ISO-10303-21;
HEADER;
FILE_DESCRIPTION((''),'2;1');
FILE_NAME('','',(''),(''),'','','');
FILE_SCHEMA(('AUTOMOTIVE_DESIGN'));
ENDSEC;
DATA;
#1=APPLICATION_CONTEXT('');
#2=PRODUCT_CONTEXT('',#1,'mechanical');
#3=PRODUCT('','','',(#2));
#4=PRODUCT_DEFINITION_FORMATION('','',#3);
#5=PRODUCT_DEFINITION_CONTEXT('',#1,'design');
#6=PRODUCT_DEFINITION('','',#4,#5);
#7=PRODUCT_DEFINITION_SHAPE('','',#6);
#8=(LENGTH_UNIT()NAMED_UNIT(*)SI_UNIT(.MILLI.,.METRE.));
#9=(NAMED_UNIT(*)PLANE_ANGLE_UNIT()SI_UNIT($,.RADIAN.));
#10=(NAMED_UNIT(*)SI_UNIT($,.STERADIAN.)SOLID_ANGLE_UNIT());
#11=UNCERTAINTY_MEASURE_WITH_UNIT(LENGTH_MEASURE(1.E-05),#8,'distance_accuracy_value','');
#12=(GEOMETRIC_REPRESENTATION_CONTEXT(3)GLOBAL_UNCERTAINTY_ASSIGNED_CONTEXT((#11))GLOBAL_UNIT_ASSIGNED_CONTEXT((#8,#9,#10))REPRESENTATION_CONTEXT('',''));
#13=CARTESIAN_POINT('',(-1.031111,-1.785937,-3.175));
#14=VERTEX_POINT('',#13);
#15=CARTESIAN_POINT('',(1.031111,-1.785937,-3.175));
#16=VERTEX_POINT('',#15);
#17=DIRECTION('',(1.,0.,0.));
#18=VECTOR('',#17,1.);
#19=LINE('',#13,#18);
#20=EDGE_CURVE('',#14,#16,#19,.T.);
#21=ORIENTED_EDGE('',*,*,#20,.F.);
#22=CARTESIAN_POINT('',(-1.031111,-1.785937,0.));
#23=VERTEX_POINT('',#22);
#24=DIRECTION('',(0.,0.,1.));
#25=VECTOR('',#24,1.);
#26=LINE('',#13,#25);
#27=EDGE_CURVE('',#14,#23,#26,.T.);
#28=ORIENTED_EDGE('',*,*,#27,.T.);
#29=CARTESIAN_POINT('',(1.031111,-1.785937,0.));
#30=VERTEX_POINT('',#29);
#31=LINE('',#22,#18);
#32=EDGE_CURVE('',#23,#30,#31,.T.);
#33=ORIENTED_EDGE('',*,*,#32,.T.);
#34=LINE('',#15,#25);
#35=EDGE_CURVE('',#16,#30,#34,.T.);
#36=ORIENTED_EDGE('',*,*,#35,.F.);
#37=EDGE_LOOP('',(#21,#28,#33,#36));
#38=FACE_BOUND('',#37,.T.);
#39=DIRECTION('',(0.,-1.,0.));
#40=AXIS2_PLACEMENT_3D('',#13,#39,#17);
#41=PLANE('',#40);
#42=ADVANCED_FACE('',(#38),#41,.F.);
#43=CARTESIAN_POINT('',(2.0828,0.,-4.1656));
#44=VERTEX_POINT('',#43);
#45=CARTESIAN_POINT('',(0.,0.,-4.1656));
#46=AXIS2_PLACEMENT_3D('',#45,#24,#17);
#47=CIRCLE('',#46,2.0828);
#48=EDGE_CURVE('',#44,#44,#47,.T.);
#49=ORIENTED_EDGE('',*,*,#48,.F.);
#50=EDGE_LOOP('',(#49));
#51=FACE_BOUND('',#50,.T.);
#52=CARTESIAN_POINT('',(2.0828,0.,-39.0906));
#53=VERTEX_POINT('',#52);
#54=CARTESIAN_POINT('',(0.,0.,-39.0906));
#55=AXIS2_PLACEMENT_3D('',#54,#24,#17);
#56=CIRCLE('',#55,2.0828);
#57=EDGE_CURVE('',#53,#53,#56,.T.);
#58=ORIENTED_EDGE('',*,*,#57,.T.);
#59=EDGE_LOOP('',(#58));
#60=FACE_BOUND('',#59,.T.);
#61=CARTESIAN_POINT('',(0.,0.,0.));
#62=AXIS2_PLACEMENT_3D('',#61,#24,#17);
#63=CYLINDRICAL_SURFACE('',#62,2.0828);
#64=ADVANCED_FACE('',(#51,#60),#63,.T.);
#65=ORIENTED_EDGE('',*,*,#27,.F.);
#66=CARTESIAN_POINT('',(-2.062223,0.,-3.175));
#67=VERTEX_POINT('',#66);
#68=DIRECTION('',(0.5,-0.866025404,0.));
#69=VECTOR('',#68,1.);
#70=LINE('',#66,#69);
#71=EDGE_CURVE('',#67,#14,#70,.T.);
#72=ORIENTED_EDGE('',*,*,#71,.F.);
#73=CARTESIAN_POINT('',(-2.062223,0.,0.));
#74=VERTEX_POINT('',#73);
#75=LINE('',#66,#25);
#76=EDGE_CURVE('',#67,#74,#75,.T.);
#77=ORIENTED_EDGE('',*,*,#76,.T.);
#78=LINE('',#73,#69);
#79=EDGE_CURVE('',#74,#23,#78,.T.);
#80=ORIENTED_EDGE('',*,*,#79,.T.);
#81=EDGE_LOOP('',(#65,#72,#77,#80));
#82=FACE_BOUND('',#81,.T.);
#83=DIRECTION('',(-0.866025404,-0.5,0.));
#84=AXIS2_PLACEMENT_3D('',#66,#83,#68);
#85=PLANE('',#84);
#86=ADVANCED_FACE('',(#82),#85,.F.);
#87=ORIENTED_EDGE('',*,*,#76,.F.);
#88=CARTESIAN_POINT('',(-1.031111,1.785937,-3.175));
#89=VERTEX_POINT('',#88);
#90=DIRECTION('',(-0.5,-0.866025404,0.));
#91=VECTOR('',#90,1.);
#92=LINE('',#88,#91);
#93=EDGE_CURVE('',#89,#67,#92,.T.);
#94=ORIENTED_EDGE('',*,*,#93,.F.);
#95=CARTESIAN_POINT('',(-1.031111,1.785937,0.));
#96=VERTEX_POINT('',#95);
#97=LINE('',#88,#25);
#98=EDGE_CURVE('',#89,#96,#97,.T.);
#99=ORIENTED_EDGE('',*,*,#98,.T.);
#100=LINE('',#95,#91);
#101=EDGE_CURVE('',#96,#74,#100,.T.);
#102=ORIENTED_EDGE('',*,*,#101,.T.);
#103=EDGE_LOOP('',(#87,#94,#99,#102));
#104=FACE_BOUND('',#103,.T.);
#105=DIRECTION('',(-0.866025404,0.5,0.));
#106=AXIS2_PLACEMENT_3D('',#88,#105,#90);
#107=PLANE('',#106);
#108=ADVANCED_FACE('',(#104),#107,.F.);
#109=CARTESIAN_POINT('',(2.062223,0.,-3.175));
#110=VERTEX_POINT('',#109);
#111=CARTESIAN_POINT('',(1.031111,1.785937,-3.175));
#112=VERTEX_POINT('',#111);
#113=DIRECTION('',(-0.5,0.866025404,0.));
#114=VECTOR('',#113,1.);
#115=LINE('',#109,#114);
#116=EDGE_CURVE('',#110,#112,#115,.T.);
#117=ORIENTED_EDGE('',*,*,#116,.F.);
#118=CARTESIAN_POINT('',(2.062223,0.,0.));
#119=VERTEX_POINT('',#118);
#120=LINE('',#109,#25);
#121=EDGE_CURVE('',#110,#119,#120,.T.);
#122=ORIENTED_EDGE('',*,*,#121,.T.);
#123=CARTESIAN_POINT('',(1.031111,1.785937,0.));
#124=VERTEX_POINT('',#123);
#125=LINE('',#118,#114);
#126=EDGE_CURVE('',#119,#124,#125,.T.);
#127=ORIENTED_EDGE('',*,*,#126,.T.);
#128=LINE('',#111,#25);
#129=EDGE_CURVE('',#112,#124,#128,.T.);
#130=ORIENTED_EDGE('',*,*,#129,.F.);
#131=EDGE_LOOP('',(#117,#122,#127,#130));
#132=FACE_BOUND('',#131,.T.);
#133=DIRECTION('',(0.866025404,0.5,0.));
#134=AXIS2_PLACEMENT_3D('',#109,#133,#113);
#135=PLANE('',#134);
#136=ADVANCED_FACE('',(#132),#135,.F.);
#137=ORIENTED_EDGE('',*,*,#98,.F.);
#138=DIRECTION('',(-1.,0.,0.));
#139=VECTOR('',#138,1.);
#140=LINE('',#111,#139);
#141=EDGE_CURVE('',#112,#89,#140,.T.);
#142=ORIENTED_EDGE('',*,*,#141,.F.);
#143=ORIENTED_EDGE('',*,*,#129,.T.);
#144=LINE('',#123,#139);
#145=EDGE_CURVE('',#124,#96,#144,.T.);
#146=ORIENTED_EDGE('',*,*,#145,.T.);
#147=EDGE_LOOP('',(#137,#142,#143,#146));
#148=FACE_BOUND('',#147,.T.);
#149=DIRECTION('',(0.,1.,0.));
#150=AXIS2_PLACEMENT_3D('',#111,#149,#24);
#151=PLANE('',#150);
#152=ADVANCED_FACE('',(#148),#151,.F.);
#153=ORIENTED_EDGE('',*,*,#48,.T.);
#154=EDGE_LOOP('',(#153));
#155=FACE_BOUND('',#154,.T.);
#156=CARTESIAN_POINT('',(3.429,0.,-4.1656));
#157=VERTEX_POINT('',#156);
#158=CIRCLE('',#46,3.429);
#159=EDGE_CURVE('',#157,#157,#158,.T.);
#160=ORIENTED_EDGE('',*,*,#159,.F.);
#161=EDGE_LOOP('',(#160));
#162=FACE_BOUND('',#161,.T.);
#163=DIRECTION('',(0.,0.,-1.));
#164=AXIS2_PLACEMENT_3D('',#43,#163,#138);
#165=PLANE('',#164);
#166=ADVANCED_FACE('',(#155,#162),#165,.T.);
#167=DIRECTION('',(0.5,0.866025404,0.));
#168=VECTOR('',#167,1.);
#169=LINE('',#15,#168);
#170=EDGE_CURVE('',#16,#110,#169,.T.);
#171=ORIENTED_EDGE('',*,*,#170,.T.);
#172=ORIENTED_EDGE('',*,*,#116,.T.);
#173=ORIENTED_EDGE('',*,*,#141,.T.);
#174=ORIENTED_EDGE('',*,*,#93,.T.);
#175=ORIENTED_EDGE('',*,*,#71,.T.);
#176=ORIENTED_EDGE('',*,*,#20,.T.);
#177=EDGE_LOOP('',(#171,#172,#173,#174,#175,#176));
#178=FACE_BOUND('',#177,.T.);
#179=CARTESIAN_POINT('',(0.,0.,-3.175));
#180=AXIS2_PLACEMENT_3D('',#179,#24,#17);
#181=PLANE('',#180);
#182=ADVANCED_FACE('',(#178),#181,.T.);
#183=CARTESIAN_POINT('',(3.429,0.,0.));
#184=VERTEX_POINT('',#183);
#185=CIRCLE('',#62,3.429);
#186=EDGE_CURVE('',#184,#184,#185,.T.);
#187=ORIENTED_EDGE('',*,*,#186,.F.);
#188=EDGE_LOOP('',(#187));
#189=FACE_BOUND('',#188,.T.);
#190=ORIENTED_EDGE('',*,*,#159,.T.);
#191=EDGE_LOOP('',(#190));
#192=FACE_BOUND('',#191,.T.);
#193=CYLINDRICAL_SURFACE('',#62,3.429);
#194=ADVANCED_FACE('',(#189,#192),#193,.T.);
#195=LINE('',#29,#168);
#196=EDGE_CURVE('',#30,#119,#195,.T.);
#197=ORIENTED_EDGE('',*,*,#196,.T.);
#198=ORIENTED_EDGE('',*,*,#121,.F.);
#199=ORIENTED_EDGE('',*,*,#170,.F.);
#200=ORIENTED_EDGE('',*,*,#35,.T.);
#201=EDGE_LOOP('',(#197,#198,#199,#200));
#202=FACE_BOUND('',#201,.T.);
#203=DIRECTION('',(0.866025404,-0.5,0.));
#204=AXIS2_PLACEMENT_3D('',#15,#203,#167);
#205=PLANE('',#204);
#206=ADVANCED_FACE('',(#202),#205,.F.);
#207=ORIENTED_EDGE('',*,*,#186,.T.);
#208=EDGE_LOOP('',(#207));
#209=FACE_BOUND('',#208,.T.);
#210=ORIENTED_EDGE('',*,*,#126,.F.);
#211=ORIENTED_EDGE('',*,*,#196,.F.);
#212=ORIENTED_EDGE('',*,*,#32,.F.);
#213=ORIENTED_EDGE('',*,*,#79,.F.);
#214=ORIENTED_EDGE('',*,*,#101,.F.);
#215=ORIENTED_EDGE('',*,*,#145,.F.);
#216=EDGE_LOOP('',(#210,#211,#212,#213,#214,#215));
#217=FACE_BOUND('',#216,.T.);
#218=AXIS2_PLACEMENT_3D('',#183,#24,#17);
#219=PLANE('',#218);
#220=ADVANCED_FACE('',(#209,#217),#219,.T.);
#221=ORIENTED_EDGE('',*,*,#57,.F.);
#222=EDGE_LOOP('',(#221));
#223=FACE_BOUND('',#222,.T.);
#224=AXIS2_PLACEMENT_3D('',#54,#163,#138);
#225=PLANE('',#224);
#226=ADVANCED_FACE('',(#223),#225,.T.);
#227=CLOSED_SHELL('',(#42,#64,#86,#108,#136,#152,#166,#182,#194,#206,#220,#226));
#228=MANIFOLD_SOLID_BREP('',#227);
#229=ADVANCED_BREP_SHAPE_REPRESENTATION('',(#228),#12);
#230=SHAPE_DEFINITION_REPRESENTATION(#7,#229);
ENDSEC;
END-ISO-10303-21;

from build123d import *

# Parameters (mm, degrees)
F_9_64_ALLEN_DEPTH = 3.175


with BuildPart() as part:
    # Sketch1 → Revolve1 (revolve)
    with BuildSketch(Plane(origin=(0, 0, 0), x_dir=(1, 0, 0), z_dir=(0, 1, 0))):
        Polygon((0, 0), (0, 39.0906), (2.0828, 39.0906), (2.0828, 4.1656), (3.429, 4.1656), (3.429, 0), align=None)
    revolve(axis=Axis((0, 0, 0), (0, 0, -1)))

    # Sketch2 → 9-64 allen (cut)
    with BuildSketch(Plane.XY):
        Polygon((2.062222993, 0), (1.031111496, 1.7859375), (-1.031111496, 1.7859375), (-2.062222993, 0), (-1.031111496, -1.7859375), (1.031111496, -1.7859375), align=None)
    extrude(amount=-F_9_64_ALLEN_DEPTH, mode=Mode.SUBTRACT)


solid = part.part
